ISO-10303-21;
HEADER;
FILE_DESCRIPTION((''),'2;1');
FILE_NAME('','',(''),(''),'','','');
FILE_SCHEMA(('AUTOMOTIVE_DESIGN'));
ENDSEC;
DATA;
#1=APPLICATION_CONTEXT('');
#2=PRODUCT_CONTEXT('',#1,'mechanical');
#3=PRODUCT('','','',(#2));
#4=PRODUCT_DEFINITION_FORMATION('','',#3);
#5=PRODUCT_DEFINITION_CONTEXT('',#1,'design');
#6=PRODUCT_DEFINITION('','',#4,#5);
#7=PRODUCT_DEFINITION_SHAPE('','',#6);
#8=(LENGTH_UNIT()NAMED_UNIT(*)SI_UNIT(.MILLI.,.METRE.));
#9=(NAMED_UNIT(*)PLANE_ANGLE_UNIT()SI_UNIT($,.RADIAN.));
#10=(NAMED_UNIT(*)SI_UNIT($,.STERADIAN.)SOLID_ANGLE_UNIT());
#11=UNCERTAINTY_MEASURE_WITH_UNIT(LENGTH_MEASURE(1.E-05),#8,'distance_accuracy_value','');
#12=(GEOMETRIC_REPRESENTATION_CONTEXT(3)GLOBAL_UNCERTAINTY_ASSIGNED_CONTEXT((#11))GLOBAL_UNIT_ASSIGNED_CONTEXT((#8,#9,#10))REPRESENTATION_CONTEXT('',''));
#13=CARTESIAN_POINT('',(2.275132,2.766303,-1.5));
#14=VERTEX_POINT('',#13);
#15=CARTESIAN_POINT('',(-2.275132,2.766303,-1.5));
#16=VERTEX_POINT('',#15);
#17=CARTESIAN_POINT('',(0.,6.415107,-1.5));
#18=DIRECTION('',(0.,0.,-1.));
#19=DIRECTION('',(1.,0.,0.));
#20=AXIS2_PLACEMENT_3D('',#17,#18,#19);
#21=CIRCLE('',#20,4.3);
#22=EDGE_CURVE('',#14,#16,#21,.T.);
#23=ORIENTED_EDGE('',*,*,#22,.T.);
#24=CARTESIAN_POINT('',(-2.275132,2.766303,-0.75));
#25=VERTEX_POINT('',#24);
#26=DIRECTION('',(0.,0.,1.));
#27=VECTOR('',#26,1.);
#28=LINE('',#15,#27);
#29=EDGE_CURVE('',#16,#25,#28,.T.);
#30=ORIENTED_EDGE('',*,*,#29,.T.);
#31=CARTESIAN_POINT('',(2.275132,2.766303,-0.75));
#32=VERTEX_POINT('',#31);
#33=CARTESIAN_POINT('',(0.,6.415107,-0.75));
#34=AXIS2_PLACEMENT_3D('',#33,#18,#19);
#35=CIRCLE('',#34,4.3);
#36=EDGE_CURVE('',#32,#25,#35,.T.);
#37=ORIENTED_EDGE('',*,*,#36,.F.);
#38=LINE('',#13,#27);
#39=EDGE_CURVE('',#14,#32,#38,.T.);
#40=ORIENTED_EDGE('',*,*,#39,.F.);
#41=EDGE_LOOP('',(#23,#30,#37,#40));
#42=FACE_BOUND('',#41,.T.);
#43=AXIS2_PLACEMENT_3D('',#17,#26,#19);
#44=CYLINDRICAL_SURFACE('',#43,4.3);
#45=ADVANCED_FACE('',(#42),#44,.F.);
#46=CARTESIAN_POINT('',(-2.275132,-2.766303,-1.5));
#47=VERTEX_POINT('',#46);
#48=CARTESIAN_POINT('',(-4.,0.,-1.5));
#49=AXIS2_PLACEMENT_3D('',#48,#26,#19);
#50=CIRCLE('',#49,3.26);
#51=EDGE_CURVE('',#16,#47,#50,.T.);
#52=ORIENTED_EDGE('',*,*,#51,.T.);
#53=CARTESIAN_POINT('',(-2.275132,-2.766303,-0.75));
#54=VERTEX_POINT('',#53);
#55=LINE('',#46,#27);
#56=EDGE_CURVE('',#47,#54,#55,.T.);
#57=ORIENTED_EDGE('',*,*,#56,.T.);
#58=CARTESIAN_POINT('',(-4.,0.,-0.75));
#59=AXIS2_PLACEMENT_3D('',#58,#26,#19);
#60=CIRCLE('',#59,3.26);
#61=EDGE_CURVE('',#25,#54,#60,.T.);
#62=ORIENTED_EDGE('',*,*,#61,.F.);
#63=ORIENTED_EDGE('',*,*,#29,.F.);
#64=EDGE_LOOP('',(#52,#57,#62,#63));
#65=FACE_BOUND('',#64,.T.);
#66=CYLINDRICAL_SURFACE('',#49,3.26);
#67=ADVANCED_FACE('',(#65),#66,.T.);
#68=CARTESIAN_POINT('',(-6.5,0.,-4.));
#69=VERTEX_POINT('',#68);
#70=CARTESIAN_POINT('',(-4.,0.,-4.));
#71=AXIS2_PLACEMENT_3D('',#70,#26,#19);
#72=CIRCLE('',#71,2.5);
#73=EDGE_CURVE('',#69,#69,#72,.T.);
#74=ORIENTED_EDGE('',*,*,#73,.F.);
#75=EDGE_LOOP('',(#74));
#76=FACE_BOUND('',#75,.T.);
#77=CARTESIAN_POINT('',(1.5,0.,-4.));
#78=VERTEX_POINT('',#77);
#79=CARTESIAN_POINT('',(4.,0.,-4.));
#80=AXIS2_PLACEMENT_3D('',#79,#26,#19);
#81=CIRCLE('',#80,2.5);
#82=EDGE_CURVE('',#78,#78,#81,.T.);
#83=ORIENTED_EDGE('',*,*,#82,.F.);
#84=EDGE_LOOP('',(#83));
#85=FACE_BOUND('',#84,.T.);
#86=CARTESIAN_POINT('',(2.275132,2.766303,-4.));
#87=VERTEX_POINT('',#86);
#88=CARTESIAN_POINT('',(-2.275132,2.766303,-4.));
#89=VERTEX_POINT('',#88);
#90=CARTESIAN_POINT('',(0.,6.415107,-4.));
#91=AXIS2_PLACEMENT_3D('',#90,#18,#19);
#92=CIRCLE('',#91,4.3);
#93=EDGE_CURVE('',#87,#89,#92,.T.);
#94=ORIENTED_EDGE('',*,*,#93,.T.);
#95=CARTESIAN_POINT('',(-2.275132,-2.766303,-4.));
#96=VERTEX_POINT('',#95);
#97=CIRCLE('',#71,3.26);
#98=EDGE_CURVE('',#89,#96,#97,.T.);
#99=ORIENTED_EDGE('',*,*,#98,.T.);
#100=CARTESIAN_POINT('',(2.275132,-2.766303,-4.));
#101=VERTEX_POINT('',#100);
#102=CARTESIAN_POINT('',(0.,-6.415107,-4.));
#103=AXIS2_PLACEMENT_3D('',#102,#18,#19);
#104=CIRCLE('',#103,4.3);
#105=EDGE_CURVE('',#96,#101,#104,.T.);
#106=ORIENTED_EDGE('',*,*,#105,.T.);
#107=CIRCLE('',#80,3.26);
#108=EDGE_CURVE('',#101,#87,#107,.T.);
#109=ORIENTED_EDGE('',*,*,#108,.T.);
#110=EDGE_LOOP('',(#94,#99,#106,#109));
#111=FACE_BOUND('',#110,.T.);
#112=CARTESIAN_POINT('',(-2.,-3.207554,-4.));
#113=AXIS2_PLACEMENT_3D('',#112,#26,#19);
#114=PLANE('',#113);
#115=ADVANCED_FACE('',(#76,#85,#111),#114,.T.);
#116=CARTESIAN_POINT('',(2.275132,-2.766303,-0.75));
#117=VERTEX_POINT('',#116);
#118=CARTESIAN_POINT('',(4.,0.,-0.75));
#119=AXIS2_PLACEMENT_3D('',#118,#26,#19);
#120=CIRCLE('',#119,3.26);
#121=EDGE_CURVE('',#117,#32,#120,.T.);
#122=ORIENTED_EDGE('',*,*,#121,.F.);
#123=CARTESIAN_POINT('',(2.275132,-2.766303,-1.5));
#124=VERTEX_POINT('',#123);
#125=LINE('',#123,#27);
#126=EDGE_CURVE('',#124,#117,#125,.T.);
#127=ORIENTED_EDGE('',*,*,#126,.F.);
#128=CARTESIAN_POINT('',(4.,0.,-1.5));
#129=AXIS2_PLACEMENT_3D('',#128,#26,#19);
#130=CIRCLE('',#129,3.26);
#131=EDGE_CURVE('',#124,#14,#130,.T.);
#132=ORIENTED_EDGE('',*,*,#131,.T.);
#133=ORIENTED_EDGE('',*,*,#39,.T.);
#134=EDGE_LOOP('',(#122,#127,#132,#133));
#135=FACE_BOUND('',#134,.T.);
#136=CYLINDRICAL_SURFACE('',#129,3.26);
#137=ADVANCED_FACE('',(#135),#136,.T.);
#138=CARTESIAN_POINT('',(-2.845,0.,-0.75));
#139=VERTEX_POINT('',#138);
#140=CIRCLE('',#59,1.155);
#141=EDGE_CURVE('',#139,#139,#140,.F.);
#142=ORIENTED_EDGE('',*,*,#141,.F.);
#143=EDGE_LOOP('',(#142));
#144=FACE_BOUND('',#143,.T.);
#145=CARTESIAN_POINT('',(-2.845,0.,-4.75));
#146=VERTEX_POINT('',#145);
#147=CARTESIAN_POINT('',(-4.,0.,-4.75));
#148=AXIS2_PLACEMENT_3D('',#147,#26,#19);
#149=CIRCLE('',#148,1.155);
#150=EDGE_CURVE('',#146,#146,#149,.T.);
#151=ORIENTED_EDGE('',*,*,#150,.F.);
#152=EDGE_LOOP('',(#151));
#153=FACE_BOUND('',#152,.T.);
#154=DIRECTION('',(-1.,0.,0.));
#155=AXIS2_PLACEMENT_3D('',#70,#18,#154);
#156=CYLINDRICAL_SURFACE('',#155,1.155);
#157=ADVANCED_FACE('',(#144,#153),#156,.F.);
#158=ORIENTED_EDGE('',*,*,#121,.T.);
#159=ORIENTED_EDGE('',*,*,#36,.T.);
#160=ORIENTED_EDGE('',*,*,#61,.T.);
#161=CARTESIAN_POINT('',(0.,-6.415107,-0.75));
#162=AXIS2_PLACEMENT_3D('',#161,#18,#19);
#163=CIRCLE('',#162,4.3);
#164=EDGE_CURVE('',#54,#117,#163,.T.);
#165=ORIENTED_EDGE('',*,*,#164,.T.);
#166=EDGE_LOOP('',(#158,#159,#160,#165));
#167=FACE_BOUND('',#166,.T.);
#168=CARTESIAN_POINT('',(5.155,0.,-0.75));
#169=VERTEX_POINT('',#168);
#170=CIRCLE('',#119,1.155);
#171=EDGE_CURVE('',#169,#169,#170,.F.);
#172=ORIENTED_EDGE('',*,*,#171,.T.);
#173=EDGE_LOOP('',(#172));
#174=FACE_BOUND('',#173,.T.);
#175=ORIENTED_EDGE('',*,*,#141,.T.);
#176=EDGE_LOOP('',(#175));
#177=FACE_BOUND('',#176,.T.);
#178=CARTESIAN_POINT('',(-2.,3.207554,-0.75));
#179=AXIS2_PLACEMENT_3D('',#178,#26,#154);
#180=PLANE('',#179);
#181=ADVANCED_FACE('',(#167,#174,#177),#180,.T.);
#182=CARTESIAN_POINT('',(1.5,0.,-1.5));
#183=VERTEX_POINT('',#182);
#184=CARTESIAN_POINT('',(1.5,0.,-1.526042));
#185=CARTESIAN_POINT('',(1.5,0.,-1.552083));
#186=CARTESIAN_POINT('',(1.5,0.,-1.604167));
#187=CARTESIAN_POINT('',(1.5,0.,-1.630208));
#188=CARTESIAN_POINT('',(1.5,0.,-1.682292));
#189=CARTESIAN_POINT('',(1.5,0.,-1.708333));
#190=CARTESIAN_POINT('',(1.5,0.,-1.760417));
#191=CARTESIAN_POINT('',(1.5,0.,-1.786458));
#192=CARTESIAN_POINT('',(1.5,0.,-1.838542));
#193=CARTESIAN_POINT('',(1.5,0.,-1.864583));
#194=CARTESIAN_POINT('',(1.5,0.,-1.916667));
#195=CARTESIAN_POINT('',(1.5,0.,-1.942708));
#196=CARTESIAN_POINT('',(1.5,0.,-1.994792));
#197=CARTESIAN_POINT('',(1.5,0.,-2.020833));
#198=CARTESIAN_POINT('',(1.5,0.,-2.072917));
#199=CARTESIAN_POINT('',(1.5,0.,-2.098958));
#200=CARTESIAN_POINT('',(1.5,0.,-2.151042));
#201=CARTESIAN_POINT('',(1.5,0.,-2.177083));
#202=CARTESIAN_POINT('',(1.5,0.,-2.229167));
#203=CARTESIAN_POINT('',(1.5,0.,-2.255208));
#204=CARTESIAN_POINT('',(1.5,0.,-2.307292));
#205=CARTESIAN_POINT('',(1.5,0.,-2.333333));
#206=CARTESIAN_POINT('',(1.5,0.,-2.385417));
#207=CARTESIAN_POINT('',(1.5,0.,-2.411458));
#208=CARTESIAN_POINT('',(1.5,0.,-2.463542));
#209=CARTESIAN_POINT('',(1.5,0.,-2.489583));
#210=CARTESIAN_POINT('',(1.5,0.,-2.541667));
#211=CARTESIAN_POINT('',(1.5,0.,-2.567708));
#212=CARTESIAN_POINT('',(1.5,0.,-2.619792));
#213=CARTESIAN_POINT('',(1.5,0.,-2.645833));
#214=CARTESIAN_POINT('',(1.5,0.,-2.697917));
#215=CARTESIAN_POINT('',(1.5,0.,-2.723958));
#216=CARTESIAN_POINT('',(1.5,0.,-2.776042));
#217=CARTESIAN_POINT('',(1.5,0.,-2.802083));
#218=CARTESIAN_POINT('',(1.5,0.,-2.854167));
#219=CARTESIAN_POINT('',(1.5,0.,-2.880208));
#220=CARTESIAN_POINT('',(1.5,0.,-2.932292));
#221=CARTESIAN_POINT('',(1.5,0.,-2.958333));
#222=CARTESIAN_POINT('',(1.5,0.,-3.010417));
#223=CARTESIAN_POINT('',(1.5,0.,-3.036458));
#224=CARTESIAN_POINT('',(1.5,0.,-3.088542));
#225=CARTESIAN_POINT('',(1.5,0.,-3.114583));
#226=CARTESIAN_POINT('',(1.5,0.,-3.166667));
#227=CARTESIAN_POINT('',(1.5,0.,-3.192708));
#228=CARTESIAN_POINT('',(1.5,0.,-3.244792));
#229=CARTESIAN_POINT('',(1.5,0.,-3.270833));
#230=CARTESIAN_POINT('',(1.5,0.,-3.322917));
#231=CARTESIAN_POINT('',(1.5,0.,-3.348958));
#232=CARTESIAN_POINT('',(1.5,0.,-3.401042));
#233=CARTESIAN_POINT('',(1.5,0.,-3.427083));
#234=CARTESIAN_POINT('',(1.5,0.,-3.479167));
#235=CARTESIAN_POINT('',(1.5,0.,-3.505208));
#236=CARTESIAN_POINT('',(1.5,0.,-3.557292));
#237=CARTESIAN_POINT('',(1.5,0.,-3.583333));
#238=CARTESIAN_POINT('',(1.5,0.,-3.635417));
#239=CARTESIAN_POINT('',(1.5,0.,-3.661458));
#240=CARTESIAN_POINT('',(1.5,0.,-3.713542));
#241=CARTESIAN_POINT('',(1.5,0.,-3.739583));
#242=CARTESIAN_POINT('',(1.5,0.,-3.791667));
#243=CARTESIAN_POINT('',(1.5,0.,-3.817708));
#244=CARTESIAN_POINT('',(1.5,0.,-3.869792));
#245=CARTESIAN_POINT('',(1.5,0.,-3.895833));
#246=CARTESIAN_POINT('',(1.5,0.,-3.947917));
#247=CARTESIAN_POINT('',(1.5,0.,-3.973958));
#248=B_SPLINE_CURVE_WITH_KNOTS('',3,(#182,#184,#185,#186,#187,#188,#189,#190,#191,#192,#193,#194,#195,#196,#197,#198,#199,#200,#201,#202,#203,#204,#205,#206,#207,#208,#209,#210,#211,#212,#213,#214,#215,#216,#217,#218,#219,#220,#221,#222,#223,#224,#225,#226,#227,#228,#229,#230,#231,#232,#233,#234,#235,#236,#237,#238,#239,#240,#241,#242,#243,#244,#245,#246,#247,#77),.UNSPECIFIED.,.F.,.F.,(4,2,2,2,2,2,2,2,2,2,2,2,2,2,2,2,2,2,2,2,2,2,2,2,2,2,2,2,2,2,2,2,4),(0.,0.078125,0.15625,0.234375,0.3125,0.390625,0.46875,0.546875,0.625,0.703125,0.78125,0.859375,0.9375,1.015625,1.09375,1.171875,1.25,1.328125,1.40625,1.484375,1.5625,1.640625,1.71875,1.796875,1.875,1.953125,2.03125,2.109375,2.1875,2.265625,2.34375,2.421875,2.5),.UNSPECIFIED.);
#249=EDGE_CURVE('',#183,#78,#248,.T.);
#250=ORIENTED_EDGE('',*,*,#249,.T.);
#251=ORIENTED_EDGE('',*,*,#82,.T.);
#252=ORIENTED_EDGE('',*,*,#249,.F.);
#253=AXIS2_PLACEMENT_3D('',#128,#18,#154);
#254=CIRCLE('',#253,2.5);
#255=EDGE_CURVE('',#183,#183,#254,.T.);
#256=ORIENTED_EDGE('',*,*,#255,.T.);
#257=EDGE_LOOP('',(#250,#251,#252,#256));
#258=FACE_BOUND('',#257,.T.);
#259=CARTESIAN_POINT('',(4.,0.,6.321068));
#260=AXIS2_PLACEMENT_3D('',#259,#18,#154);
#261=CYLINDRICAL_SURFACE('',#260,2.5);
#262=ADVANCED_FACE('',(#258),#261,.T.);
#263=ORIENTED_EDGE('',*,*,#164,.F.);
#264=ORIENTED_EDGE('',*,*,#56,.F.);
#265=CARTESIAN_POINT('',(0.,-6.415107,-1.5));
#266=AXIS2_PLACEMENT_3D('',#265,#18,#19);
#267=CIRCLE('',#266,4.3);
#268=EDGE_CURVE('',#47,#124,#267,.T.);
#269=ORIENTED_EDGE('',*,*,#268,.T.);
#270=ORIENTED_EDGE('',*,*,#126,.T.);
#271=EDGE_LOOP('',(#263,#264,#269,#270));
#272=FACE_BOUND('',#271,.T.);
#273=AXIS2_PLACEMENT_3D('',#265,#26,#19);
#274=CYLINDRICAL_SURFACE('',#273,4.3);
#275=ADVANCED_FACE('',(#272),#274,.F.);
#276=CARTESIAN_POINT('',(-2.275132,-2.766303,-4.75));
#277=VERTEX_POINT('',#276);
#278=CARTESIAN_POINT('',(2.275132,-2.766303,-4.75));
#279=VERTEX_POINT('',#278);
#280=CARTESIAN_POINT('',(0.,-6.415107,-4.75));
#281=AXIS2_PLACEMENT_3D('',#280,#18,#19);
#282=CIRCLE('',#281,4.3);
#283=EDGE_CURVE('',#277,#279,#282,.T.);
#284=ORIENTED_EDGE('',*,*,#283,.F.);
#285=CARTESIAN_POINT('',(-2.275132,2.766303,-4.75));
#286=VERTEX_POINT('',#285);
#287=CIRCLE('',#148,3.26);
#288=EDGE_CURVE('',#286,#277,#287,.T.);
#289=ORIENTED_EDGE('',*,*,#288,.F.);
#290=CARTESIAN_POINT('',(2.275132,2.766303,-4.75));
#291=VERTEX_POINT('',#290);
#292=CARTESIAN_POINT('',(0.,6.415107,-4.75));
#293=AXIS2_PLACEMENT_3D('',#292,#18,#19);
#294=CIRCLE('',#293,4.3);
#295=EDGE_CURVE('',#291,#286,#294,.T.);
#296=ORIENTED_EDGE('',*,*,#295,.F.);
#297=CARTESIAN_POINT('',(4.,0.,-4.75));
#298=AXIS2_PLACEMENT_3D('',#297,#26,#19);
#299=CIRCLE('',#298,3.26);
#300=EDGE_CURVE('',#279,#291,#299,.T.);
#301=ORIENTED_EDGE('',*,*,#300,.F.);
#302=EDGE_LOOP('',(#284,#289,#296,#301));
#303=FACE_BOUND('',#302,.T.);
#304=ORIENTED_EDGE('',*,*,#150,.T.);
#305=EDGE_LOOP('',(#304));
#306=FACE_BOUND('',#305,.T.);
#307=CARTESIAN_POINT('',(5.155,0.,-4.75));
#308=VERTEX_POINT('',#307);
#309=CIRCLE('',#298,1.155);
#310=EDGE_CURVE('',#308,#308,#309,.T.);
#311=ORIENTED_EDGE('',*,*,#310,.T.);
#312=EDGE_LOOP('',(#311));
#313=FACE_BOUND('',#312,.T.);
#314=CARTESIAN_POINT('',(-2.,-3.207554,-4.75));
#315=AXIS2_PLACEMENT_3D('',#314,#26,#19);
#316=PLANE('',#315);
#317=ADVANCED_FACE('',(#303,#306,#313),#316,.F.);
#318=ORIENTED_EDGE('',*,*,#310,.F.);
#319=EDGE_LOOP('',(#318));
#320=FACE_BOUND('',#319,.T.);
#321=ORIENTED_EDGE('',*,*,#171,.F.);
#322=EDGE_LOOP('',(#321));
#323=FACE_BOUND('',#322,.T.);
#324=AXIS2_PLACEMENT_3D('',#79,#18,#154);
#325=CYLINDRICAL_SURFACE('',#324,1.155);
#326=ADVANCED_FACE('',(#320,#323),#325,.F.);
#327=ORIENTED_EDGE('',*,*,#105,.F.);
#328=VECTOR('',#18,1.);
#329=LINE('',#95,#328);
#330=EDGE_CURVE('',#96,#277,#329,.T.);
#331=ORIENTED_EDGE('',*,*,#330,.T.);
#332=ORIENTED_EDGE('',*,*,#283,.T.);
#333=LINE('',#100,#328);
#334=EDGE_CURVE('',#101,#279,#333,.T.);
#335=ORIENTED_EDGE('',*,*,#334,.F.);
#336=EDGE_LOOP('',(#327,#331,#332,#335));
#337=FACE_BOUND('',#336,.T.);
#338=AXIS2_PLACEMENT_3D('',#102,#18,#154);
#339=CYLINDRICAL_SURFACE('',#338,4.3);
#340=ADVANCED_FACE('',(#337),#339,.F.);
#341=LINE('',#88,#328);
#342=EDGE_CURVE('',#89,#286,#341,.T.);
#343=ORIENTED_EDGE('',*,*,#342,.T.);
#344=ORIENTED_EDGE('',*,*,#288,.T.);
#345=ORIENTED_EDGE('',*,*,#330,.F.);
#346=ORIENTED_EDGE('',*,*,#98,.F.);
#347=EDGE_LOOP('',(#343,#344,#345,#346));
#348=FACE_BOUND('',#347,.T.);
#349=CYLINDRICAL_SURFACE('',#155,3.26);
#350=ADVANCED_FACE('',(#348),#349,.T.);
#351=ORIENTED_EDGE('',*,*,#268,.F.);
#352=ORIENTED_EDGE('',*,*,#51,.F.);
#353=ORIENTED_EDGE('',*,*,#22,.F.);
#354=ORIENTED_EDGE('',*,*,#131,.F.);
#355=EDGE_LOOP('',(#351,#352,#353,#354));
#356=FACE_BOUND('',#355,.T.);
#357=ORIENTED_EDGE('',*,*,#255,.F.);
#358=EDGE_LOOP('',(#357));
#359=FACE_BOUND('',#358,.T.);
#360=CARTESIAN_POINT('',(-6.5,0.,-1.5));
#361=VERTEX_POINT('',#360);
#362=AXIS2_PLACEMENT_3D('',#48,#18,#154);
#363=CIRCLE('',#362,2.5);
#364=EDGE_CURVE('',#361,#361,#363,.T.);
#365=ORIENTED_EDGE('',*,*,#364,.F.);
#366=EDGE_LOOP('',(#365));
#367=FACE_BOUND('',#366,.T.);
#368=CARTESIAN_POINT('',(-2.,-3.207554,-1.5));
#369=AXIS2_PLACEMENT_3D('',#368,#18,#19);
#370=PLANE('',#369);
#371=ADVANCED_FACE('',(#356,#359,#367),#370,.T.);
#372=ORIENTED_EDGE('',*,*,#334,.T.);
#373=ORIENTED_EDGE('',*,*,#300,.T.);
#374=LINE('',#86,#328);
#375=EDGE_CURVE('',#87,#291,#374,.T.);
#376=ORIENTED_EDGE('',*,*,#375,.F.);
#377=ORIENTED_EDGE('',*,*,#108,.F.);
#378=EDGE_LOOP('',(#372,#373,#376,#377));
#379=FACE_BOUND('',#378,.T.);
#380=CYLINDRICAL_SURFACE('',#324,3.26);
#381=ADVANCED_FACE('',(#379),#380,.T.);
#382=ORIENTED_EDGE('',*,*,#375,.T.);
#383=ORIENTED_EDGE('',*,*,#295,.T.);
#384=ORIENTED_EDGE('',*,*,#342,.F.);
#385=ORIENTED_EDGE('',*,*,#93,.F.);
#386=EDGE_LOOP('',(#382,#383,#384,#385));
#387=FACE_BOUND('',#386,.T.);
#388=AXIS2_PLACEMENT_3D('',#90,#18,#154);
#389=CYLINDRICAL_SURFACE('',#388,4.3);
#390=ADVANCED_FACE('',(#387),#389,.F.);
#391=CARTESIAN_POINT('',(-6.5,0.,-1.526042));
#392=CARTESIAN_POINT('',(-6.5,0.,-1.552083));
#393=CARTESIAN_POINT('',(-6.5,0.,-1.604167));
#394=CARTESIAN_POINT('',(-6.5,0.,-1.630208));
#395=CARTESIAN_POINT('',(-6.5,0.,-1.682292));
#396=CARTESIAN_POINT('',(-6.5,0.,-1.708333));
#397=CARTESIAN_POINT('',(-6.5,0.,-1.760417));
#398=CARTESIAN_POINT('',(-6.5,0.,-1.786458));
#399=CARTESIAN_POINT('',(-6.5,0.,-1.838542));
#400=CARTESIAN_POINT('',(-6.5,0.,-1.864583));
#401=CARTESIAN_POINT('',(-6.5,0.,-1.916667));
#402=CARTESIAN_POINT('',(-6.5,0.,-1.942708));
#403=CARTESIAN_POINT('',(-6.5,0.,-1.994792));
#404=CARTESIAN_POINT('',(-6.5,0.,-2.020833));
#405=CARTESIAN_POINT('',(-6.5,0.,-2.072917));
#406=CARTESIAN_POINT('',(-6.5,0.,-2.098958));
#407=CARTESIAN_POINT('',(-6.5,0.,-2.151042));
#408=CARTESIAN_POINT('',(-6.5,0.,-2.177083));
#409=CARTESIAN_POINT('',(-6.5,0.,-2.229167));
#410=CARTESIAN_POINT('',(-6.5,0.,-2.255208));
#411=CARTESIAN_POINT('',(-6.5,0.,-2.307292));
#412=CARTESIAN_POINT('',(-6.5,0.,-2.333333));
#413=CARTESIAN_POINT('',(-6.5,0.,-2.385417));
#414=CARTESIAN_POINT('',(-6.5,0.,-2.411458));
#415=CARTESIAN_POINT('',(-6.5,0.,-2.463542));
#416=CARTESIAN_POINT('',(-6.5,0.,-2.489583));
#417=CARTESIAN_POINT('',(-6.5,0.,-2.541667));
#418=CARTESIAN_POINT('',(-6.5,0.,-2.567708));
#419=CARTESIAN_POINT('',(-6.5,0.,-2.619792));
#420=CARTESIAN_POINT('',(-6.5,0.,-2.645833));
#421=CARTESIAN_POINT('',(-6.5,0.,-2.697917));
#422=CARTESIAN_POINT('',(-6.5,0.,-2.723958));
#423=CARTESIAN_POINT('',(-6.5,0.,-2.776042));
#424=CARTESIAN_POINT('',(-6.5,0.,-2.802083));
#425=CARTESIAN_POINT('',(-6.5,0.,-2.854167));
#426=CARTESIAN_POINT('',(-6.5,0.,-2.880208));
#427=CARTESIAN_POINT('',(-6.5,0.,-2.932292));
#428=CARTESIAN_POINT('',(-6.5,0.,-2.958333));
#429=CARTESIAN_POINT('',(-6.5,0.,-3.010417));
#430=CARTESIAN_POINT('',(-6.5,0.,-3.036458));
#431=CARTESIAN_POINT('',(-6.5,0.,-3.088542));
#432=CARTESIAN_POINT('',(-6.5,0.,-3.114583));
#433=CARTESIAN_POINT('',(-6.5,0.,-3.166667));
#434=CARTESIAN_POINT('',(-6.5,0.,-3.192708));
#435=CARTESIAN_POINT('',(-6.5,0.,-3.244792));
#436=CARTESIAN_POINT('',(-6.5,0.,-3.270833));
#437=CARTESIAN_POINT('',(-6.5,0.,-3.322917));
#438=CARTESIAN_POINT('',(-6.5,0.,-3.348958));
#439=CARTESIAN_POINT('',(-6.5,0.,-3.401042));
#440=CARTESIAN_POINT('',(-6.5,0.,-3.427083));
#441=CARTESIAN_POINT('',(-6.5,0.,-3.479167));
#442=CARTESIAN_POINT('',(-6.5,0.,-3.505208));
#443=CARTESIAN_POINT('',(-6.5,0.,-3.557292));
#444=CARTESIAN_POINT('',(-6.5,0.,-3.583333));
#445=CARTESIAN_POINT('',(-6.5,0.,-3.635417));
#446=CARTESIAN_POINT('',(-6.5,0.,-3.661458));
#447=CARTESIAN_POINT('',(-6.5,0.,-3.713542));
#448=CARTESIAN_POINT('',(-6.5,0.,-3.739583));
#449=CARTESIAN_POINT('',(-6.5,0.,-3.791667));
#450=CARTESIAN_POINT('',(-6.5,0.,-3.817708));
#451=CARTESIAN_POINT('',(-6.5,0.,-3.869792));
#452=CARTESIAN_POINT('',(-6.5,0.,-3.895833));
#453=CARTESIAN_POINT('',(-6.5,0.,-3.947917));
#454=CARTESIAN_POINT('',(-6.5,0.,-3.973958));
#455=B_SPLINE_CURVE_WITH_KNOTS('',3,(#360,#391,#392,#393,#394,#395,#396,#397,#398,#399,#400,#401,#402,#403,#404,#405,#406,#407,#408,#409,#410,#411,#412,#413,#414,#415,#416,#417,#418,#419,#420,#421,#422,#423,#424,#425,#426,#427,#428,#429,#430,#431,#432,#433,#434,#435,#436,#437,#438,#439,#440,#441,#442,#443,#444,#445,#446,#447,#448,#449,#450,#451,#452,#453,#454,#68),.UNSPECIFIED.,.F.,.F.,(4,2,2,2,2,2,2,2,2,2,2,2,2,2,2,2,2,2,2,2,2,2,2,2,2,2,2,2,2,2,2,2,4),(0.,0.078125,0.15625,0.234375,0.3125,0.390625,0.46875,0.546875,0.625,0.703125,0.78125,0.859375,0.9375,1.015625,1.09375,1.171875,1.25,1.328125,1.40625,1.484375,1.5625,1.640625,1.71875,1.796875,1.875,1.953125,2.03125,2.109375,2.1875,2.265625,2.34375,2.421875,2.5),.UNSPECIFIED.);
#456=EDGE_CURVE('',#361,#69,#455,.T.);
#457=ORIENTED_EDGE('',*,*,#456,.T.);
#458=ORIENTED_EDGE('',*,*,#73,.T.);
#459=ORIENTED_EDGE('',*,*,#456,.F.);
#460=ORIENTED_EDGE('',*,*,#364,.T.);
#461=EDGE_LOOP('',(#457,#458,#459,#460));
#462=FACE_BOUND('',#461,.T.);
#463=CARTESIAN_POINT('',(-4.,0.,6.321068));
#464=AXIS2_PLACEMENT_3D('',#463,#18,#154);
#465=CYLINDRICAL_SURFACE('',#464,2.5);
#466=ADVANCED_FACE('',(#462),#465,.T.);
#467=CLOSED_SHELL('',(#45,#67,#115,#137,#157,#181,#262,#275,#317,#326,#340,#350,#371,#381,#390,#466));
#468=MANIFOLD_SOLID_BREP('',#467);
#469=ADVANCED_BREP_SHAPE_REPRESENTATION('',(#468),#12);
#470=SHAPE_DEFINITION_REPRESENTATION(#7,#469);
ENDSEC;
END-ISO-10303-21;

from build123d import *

# Parameters (mm, degrees)
SKETCH4_R           = 1.155
BOSS_EXTRUDE1_DEPTH = 0.75
SKETCH6_R           = 2.5
SKETCH6_R_2         = 1.155
BOSS_EXTRUDE2_DEPTH = 3.25


with BuildPart() as part:
    # Sketch4 → Boss-Extrude1 (new body)
    with BuildSketch(Plane.XY.offset(-4.75)):
        with BuildLine():
            ThreePointArc((-2.275132275, 2.766302827), (0, 2.11510717), (2.275132275, 2.766302827))
            ThreePointArc((2.275132275, 2.766302827), (7.26, 0), (2.275132275, -2.766302827))
            ThreePointArc((2.275132275, -2.766302827), (0, -2.11510717), (-2.275132275, -2.766302827))
            ThreePointArc((-2.275132275, -2.766302827), (-7.26, 0), (-2.275132275, 2.766302827))
        make_face()
        with Locations((-4, 0)):
            Circle(SKETCH4_R, mode=Mode.SUBTRACT)
        with Locations((4, 0)):
            Circle(SKETCH4_R, mode=Mode.SUBTRACT)
    boss_extrude1 = extrude(amount=BOSS_EXTRUDE1_DEPTH)

    # Sketch6 → Boss-Extrude2 (add)
    # profile 1 of 2: a face of its own
    with BuildSketch(Plane.XY.offset(-4)):
        with Locations(Location((-4, 0, 0), (0, 0, 180))):
            Circle(SKETCH6_R)
        with Locations((-4, 0)):
            Circle(SKETCH6_R_2, mode=Mode.SUBTRACT)
    # profile 2 of 2: a face of its own
    with BuildSketch(Plane.XY.offset(-4)):
        with Locations(Location((4, 0, 0), (0, 0, 180))):
            Circle(SKETCH6_R)
        with Locations((4, 0)):
            Circle(SKETCH6_R_2, mode=Mode.SUBTRACT)
    extrude(amount=BOSS_EXTRUDE2_DEPTH)

    # Mirror1: Boss-Extrude1 across plane
    add(boss_extrude1.mirror(Plane.XY.offset(-2.75)))


solid = part.part
